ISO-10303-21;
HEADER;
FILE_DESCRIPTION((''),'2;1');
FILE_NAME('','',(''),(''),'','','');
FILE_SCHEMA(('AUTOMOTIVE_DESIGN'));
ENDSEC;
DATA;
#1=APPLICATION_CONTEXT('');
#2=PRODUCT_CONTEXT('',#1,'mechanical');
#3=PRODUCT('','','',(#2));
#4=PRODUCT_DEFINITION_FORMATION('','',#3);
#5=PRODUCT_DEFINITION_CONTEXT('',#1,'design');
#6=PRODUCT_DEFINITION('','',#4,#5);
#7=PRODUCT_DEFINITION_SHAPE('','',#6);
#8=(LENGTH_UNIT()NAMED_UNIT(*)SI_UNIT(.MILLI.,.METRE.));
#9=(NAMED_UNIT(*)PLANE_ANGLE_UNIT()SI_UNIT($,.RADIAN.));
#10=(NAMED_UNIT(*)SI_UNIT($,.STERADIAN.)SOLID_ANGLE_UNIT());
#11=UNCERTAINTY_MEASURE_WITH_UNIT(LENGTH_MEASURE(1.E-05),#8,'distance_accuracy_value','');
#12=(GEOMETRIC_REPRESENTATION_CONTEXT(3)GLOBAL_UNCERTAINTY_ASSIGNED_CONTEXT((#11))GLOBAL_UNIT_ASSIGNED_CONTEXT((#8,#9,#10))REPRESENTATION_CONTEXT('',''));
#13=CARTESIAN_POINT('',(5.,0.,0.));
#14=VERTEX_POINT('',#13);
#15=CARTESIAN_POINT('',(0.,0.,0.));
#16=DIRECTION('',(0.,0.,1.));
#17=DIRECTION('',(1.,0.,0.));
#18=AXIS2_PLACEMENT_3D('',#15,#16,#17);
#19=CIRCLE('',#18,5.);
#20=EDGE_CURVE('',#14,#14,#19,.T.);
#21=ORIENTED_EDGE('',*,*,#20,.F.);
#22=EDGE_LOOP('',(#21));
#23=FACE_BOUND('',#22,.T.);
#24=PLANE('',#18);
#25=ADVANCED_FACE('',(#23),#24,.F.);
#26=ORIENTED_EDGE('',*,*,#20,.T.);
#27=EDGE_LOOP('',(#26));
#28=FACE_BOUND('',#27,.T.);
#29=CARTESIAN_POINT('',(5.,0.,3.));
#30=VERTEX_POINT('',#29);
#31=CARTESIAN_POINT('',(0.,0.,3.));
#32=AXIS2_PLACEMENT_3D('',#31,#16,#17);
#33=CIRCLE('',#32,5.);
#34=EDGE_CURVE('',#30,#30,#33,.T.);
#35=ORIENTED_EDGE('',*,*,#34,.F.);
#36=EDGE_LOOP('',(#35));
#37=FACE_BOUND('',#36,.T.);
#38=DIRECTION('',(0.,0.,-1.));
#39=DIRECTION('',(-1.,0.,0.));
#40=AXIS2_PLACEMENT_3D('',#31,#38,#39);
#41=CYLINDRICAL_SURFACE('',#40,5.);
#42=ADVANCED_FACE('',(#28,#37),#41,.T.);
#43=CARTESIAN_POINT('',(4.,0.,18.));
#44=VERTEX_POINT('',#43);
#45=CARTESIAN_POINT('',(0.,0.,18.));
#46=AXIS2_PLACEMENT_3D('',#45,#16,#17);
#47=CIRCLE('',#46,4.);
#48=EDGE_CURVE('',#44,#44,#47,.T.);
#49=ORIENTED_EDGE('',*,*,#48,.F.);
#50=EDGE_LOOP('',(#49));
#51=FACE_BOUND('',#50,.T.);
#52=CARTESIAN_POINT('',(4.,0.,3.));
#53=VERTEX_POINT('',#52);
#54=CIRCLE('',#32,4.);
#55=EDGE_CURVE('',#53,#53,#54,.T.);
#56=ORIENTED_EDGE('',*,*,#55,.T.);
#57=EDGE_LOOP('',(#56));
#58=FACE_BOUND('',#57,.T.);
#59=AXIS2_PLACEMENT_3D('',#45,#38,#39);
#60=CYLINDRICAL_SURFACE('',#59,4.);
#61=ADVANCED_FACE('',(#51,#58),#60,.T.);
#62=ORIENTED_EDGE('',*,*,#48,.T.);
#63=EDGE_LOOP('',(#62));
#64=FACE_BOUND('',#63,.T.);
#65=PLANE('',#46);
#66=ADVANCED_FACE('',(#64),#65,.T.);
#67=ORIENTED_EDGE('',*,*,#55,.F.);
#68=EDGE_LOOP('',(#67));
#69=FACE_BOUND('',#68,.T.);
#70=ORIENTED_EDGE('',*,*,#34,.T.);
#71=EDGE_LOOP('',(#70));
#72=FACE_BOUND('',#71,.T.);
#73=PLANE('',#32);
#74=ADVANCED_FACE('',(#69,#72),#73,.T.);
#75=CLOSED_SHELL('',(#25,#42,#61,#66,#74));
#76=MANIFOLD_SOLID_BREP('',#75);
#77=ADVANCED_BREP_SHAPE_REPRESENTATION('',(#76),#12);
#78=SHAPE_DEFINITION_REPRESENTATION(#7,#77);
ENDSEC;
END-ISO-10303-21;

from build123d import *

# Parameters (mm, degrees)
SKETCH1_R           = 5
BOSS_EXTRUDE1_DEPTH = 3
SKETCH2_R           = 4
BOSS_EXTRUDE2_DEPTH = 15


with BuildPart() as part:
    # Sketch1 → Boss-Extrude1 (new body)
    with BuildSketch(Plane.XY):
        Circle(SKETCH1_R)
    extrude(amount=BOSS_EXTRUDE1_DEPTH)

    # Sketch2 → Boss-Extrude2 (add)
    with BuildSketch(Plane.XY.offset(3)):
        Circle(SKETCH2_R)
    extrude(amount=BOSS_EXTRUDE2_DEPTH)


solid = part.part
